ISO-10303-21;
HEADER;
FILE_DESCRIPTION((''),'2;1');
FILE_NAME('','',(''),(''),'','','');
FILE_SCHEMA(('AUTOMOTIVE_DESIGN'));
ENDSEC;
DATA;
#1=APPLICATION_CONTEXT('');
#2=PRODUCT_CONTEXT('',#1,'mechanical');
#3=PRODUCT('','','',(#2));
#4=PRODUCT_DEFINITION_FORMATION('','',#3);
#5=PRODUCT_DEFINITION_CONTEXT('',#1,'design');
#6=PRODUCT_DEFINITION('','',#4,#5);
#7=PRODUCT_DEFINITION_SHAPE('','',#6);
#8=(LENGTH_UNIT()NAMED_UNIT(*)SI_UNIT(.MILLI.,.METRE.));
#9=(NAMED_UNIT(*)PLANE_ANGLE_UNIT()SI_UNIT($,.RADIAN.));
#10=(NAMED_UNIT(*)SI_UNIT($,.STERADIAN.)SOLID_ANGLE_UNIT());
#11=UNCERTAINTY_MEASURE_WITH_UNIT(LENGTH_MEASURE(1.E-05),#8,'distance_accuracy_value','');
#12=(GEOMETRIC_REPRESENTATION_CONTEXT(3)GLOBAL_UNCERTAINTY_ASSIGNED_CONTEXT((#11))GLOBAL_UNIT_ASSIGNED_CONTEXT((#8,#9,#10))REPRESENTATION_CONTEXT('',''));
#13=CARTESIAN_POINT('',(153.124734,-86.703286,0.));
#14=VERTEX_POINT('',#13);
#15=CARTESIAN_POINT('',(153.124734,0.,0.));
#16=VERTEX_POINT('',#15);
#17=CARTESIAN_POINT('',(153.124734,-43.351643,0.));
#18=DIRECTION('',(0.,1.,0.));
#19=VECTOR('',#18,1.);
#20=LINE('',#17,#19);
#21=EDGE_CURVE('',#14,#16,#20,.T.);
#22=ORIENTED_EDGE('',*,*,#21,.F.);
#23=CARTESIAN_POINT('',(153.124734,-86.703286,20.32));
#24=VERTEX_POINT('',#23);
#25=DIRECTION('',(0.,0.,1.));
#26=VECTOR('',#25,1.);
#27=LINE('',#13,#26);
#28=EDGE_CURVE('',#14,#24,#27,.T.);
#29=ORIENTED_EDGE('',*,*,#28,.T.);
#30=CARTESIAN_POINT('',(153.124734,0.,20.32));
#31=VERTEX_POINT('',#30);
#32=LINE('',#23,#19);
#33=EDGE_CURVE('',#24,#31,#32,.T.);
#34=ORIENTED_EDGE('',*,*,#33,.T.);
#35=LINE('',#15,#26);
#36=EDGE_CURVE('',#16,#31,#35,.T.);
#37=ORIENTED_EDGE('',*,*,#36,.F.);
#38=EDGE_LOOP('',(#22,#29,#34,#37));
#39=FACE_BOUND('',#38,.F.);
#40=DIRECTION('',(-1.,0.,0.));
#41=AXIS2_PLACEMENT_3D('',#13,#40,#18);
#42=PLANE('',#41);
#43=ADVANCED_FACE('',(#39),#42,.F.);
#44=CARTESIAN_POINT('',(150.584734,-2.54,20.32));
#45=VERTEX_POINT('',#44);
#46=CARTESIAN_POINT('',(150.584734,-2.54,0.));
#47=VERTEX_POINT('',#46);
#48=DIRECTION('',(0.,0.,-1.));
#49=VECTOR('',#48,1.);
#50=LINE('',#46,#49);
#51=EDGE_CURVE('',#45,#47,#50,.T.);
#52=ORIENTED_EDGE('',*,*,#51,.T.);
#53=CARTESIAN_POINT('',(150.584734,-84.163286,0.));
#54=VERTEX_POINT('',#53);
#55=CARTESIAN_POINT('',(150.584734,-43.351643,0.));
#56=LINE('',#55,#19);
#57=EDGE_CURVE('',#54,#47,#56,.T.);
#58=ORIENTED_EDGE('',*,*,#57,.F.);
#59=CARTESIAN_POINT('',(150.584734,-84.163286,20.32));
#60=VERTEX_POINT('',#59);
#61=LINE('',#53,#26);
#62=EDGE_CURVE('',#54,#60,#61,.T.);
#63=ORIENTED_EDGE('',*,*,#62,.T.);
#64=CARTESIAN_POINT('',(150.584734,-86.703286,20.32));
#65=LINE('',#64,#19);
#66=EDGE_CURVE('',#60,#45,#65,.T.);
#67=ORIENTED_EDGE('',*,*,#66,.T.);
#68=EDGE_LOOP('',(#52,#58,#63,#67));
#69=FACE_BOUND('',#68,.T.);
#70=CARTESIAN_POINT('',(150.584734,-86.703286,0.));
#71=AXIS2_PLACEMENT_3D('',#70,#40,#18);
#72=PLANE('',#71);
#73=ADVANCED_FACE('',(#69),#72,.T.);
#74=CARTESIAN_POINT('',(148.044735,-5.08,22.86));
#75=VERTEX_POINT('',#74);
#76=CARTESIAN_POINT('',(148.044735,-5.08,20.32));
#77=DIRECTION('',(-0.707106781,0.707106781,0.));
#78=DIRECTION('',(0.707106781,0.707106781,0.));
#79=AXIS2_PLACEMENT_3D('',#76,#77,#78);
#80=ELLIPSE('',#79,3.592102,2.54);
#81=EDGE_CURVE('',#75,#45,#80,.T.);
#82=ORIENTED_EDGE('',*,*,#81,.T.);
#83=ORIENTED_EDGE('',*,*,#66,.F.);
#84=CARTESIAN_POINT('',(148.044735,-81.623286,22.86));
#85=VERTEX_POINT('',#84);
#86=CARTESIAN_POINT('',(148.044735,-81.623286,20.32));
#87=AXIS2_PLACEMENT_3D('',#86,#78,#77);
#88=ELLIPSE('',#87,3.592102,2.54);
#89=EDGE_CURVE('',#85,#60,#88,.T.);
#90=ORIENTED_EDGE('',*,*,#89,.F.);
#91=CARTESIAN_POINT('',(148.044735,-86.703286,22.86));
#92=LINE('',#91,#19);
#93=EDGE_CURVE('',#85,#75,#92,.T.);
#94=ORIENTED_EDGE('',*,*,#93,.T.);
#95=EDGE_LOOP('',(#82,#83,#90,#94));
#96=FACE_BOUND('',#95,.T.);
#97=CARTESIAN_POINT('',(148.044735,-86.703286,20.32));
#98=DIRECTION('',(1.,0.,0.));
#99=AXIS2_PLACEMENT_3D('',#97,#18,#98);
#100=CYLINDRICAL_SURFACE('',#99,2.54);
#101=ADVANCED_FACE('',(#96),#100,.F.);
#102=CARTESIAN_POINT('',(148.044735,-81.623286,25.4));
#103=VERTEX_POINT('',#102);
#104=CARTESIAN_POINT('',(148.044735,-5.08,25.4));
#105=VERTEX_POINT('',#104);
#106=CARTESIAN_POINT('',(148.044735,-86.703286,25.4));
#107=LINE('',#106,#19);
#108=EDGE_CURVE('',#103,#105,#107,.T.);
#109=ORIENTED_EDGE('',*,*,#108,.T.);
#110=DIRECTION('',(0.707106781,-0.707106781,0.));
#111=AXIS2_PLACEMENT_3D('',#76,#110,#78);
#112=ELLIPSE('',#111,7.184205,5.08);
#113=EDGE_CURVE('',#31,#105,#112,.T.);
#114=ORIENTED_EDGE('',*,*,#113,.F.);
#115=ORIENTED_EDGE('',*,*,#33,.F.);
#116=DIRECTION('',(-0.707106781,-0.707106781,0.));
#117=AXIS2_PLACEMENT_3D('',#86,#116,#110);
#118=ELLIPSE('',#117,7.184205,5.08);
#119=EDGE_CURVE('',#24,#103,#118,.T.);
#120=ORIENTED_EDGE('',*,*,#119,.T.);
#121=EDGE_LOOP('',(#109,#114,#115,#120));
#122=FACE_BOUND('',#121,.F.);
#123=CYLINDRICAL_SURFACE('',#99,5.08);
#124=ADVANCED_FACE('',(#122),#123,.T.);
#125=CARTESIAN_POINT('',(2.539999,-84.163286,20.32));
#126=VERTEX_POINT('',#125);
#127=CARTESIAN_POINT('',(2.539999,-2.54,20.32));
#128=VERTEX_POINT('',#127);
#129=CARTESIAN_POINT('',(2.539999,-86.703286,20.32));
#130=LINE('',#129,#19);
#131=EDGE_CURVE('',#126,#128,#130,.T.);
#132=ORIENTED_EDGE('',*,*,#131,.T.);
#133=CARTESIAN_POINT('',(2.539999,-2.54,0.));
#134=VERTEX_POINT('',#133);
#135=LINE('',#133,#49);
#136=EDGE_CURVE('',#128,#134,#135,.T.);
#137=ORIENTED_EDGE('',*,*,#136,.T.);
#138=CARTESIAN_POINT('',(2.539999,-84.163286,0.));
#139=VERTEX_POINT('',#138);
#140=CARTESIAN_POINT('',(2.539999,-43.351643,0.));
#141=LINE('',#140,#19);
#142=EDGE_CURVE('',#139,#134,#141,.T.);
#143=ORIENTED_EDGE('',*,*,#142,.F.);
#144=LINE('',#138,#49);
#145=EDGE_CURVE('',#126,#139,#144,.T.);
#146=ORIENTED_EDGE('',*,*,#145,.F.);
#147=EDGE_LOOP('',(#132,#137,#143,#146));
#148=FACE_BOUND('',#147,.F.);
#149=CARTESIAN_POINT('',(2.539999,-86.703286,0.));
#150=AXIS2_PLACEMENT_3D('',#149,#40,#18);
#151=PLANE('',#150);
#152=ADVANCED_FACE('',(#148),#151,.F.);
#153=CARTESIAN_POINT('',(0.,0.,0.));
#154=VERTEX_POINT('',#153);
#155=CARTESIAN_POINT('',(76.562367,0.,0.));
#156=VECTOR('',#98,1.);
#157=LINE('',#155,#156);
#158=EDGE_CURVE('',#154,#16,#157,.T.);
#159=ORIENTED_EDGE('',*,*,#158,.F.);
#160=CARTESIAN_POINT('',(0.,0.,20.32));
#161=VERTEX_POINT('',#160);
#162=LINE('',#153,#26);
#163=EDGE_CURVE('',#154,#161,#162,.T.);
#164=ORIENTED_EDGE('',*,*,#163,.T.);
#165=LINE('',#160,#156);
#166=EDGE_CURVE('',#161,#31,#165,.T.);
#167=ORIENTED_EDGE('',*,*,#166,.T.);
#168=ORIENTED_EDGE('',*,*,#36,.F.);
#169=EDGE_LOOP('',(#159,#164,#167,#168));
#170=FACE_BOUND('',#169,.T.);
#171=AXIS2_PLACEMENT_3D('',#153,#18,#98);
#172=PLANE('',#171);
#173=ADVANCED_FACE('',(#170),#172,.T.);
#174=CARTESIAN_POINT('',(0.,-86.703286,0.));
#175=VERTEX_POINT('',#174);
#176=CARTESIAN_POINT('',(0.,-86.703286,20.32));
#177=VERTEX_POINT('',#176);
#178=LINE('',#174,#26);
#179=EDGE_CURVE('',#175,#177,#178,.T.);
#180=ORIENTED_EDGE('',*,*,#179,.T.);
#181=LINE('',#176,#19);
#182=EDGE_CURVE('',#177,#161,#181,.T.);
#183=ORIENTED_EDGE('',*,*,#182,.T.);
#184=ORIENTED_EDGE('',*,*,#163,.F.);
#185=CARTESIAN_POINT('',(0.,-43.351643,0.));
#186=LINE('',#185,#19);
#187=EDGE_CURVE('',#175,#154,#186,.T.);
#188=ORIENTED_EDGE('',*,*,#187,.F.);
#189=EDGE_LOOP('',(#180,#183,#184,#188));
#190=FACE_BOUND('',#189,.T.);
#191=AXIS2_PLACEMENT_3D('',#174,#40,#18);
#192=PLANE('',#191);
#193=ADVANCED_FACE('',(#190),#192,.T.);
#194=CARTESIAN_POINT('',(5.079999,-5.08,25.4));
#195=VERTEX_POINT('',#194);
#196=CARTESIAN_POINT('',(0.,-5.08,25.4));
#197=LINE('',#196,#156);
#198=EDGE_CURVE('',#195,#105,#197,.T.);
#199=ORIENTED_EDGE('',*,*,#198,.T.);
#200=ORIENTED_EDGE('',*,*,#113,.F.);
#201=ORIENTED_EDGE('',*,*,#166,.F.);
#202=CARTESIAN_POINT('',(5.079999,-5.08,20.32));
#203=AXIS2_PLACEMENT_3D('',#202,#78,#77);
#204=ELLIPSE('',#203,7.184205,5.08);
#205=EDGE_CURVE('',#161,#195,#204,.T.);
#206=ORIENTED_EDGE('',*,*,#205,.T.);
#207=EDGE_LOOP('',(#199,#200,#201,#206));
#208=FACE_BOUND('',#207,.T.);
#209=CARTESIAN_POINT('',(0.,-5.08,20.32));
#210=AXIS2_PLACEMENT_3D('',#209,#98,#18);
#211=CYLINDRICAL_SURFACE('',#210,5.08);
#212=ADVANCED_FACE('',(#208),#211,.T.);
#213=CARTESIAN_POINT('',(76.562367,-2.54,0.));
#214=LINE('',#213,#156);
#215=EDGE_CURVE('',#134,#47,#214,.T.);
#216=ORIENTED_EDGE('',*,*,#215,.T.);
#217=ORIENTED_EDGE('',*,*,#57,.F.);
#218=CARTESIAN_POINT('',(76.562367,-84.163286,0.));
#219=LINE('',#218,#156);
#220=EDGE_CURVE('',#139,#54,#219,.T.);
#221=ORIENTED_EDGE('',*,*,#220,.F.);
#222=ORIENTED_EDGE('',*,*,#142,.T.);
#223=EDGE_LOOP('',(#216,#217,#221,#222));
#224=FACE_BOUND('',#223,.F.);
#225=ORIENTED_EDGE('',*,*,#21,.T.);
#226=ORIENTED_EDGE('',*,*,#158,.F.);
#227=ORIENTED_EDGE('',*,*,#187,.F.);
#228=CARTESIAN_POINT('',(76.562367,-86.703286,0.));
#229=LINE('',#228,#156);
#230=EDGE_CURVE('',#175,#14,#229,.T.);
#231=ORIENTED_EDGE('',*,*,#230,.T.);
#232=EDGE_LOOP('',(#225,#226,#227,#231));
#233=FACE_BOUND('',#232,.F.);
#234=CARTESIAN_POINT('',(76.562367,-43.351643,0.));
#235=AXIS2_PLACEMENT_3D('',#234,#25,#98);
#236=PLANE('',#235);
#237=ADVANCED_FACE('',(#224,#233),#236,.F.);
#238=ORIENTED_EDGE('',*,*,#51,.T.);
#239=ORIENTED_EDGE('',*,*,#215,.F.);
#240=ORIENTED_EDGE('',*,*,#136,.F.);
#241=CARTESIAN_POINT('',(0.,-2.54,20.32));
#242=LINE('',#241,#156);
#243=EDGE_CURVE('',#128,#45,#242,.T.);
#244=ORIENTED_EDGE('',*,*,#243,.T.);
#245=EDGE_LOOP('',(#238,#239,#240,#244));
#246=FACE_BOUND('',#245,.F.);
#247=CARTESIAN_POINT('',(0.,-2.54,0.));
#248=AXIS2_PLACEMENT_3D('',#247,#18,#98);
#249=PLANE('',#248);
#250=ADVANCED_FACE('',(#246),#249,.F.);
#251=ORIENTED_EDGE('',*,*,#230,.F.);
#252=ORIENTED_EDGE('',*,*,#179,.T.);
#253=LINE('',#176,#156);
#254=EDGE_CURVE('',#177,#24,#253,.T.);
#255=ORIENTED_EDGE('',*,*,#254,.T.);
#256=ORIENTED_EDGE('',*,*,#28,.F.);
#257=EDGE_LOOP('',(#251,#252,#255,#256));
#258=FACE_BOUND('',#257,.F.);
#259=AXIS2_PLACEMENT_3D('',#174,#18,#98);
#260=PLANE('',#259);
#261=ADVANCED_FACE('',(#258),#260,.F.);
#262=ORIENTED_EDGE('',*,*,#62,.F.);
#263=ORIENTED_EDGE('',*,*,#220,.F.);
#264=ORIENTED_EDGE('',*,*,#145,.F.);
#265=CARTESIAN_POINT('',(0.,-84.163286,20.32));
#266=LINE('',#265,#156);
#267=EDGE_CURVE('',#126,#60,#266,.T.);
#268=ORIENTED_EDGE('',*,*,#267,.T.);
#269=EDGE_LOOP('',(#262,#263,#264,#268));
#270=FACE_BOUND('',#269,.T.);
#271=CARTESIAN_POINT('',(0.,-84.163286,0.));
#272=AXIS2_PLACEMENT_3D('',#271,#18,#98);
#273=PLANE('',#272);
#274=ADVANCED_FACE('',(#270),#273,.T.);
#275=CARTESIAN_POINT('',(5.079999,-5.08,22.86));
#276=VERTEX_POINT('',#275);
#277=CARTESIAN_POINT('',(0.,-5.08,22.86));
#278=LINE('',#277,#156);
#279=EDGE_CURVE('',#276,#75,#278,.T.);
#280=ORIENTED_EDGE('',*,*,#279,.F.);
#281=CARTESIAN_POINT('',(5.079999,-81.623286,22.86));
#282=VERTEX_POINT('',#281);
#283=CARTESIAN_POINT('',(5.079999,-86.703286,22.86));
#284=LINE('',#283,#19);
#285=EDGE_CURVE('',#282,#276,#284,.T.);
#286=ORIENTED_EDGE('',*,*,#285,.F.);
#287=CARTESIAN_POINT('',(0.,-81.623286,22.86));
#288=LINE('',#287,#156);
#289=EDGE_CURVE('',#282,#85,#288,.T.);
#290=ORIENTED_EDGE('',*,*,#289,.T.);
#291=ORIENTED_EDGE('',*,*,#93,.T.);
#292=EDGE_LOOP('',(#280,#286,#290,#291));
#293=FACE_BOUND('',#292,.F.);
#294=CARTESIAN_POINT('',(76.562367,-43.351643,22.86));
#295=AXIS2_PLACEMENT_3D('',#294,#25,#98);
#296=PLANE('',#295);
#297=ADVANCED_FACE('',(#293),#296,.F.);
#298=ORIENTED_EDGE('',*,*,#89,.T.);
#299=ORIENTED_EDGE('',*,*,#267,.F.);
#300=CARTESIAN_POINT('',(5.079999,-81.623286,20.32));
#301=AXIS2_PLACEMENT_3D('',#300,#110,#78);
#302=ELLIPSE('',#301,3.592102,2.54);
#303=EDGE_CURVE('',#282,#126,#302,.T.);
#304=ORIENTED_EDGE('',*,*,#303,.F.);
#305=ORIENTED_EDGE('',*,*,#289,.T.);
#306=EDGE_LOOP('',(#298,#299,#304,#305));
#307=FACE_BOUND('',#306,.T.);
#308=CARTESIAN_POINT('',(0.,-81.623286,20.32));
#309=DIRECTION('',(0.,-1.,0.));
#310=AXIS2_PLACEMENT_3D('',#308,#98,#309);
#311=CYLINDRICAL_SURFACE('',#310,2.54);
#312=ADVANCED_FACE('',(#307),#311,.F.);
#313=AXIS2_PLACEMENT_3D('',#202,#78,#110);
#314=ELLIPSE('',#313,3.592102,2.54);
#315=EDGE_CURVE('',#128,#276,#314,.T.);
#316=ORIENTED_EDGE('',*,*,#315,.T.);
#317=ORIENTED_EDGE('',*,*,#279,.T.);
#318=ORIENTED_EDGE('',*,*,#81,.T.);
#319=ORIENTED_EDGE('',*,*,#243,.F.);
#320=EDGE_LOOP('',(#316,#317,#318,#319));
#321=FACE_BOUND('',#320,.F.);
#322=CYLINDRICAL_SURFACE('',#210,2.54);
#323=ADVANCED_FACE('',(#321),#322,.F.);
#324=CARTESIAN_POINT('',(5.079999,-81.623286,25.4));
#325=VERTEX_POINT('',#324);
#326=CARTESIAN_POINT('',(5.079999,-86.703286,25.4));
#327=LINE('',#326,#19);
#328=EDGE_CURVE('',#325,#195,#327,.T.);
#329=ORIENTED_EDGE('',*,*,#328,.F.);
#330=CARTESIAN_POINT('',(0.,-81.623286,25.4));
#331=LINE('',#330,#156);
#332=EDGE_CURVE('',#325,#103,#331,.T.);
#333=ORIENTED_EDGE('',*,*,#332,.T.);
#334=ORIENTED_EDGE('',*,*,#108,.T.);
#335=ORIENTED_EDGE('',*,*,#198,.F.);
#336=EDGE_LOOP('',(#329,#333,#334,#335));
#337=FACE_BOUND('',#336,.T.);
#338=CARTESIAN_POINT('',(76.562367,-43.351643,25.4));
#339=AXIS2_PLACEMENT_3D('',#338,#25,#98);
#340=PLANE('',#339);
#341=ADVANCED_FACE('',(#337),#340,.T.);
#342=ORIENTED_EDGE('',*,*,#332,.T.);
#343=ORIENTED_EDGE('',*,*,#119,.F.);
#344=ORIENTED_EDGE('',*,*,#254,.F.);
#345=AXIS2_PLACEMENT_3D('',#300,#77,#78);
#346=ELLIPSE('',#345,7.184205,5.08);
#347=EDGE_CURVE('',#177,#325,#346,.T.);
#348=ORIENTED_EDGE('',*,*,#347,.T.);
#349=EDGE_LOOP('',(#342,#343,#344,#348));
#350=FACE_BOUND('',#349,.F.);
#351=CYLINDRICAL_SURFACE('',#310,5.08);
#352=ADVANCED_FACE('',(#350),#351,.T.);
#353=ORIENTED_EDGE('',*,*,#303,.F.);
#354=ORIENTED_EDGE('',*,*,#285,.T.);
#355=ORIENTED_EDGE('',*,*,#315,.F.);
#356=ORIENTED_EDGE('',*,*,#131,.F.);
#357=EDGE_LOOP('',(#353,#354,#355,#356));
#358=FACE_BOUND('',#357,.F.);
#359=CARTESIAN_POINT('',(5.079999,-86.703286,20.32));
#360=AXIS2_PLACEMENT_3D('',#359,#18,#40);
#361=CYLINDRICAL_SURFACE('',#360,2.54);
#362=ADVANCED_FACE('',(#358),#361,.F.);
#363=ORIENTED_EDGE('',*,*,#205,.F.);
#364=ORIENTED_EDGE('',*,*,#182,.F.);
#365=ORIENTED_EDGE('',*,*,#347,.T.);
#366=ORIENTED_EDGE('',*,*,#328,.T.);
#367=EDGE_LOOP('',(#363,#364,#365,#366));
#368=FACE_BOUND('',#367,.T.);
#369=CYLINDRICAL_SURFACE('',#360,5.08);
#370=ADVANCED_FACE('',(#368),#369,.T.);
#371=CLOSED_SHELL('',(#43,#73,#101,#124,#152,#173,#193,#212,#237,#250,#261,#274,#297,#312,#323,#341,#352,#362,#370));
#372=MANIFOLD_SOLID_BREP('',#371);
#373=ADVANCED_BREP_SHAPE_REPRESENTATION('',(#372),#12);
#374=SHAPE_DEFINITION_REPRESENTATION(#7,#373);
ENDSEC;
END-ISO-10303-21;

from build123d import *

# Parameters (mm, degrees)
F0_W     = 153.124735
F0_H     = 86.703286
F1_DEPTH = 25.4
F2_R     = 5.08
F3_T     = -2.54


with BuildPart() as f1:
    # F0 (on Top) → F1 (new body)
    with BuildSketch(Plane.XY):
        with Locations((76.562367, -43.351643)):
            Rectangle(F0_W, F0_H)
    extrude(amount=F1_DEPTH)

    # F2
    f2_edges = [f1.edges().sort_by_distance(p)[0] for p in [
        (0, -43.351643, 25.4),
        (76.562367, -86.703286, 25.4),
        (76.562367, 0, 25.4),
        (153.124735, -43.351643, 25.4),
    ]]
    fillet(f2_edges, radius=F2_R)

    # F3
    f3_openings = [f1.faces().sort_by_distance(p)[0] for p in [
        (76.562367, -43.351643, 0),
    ]]
    offset(amount=F3_T, openings=f3_openings)


solid = f1.part
